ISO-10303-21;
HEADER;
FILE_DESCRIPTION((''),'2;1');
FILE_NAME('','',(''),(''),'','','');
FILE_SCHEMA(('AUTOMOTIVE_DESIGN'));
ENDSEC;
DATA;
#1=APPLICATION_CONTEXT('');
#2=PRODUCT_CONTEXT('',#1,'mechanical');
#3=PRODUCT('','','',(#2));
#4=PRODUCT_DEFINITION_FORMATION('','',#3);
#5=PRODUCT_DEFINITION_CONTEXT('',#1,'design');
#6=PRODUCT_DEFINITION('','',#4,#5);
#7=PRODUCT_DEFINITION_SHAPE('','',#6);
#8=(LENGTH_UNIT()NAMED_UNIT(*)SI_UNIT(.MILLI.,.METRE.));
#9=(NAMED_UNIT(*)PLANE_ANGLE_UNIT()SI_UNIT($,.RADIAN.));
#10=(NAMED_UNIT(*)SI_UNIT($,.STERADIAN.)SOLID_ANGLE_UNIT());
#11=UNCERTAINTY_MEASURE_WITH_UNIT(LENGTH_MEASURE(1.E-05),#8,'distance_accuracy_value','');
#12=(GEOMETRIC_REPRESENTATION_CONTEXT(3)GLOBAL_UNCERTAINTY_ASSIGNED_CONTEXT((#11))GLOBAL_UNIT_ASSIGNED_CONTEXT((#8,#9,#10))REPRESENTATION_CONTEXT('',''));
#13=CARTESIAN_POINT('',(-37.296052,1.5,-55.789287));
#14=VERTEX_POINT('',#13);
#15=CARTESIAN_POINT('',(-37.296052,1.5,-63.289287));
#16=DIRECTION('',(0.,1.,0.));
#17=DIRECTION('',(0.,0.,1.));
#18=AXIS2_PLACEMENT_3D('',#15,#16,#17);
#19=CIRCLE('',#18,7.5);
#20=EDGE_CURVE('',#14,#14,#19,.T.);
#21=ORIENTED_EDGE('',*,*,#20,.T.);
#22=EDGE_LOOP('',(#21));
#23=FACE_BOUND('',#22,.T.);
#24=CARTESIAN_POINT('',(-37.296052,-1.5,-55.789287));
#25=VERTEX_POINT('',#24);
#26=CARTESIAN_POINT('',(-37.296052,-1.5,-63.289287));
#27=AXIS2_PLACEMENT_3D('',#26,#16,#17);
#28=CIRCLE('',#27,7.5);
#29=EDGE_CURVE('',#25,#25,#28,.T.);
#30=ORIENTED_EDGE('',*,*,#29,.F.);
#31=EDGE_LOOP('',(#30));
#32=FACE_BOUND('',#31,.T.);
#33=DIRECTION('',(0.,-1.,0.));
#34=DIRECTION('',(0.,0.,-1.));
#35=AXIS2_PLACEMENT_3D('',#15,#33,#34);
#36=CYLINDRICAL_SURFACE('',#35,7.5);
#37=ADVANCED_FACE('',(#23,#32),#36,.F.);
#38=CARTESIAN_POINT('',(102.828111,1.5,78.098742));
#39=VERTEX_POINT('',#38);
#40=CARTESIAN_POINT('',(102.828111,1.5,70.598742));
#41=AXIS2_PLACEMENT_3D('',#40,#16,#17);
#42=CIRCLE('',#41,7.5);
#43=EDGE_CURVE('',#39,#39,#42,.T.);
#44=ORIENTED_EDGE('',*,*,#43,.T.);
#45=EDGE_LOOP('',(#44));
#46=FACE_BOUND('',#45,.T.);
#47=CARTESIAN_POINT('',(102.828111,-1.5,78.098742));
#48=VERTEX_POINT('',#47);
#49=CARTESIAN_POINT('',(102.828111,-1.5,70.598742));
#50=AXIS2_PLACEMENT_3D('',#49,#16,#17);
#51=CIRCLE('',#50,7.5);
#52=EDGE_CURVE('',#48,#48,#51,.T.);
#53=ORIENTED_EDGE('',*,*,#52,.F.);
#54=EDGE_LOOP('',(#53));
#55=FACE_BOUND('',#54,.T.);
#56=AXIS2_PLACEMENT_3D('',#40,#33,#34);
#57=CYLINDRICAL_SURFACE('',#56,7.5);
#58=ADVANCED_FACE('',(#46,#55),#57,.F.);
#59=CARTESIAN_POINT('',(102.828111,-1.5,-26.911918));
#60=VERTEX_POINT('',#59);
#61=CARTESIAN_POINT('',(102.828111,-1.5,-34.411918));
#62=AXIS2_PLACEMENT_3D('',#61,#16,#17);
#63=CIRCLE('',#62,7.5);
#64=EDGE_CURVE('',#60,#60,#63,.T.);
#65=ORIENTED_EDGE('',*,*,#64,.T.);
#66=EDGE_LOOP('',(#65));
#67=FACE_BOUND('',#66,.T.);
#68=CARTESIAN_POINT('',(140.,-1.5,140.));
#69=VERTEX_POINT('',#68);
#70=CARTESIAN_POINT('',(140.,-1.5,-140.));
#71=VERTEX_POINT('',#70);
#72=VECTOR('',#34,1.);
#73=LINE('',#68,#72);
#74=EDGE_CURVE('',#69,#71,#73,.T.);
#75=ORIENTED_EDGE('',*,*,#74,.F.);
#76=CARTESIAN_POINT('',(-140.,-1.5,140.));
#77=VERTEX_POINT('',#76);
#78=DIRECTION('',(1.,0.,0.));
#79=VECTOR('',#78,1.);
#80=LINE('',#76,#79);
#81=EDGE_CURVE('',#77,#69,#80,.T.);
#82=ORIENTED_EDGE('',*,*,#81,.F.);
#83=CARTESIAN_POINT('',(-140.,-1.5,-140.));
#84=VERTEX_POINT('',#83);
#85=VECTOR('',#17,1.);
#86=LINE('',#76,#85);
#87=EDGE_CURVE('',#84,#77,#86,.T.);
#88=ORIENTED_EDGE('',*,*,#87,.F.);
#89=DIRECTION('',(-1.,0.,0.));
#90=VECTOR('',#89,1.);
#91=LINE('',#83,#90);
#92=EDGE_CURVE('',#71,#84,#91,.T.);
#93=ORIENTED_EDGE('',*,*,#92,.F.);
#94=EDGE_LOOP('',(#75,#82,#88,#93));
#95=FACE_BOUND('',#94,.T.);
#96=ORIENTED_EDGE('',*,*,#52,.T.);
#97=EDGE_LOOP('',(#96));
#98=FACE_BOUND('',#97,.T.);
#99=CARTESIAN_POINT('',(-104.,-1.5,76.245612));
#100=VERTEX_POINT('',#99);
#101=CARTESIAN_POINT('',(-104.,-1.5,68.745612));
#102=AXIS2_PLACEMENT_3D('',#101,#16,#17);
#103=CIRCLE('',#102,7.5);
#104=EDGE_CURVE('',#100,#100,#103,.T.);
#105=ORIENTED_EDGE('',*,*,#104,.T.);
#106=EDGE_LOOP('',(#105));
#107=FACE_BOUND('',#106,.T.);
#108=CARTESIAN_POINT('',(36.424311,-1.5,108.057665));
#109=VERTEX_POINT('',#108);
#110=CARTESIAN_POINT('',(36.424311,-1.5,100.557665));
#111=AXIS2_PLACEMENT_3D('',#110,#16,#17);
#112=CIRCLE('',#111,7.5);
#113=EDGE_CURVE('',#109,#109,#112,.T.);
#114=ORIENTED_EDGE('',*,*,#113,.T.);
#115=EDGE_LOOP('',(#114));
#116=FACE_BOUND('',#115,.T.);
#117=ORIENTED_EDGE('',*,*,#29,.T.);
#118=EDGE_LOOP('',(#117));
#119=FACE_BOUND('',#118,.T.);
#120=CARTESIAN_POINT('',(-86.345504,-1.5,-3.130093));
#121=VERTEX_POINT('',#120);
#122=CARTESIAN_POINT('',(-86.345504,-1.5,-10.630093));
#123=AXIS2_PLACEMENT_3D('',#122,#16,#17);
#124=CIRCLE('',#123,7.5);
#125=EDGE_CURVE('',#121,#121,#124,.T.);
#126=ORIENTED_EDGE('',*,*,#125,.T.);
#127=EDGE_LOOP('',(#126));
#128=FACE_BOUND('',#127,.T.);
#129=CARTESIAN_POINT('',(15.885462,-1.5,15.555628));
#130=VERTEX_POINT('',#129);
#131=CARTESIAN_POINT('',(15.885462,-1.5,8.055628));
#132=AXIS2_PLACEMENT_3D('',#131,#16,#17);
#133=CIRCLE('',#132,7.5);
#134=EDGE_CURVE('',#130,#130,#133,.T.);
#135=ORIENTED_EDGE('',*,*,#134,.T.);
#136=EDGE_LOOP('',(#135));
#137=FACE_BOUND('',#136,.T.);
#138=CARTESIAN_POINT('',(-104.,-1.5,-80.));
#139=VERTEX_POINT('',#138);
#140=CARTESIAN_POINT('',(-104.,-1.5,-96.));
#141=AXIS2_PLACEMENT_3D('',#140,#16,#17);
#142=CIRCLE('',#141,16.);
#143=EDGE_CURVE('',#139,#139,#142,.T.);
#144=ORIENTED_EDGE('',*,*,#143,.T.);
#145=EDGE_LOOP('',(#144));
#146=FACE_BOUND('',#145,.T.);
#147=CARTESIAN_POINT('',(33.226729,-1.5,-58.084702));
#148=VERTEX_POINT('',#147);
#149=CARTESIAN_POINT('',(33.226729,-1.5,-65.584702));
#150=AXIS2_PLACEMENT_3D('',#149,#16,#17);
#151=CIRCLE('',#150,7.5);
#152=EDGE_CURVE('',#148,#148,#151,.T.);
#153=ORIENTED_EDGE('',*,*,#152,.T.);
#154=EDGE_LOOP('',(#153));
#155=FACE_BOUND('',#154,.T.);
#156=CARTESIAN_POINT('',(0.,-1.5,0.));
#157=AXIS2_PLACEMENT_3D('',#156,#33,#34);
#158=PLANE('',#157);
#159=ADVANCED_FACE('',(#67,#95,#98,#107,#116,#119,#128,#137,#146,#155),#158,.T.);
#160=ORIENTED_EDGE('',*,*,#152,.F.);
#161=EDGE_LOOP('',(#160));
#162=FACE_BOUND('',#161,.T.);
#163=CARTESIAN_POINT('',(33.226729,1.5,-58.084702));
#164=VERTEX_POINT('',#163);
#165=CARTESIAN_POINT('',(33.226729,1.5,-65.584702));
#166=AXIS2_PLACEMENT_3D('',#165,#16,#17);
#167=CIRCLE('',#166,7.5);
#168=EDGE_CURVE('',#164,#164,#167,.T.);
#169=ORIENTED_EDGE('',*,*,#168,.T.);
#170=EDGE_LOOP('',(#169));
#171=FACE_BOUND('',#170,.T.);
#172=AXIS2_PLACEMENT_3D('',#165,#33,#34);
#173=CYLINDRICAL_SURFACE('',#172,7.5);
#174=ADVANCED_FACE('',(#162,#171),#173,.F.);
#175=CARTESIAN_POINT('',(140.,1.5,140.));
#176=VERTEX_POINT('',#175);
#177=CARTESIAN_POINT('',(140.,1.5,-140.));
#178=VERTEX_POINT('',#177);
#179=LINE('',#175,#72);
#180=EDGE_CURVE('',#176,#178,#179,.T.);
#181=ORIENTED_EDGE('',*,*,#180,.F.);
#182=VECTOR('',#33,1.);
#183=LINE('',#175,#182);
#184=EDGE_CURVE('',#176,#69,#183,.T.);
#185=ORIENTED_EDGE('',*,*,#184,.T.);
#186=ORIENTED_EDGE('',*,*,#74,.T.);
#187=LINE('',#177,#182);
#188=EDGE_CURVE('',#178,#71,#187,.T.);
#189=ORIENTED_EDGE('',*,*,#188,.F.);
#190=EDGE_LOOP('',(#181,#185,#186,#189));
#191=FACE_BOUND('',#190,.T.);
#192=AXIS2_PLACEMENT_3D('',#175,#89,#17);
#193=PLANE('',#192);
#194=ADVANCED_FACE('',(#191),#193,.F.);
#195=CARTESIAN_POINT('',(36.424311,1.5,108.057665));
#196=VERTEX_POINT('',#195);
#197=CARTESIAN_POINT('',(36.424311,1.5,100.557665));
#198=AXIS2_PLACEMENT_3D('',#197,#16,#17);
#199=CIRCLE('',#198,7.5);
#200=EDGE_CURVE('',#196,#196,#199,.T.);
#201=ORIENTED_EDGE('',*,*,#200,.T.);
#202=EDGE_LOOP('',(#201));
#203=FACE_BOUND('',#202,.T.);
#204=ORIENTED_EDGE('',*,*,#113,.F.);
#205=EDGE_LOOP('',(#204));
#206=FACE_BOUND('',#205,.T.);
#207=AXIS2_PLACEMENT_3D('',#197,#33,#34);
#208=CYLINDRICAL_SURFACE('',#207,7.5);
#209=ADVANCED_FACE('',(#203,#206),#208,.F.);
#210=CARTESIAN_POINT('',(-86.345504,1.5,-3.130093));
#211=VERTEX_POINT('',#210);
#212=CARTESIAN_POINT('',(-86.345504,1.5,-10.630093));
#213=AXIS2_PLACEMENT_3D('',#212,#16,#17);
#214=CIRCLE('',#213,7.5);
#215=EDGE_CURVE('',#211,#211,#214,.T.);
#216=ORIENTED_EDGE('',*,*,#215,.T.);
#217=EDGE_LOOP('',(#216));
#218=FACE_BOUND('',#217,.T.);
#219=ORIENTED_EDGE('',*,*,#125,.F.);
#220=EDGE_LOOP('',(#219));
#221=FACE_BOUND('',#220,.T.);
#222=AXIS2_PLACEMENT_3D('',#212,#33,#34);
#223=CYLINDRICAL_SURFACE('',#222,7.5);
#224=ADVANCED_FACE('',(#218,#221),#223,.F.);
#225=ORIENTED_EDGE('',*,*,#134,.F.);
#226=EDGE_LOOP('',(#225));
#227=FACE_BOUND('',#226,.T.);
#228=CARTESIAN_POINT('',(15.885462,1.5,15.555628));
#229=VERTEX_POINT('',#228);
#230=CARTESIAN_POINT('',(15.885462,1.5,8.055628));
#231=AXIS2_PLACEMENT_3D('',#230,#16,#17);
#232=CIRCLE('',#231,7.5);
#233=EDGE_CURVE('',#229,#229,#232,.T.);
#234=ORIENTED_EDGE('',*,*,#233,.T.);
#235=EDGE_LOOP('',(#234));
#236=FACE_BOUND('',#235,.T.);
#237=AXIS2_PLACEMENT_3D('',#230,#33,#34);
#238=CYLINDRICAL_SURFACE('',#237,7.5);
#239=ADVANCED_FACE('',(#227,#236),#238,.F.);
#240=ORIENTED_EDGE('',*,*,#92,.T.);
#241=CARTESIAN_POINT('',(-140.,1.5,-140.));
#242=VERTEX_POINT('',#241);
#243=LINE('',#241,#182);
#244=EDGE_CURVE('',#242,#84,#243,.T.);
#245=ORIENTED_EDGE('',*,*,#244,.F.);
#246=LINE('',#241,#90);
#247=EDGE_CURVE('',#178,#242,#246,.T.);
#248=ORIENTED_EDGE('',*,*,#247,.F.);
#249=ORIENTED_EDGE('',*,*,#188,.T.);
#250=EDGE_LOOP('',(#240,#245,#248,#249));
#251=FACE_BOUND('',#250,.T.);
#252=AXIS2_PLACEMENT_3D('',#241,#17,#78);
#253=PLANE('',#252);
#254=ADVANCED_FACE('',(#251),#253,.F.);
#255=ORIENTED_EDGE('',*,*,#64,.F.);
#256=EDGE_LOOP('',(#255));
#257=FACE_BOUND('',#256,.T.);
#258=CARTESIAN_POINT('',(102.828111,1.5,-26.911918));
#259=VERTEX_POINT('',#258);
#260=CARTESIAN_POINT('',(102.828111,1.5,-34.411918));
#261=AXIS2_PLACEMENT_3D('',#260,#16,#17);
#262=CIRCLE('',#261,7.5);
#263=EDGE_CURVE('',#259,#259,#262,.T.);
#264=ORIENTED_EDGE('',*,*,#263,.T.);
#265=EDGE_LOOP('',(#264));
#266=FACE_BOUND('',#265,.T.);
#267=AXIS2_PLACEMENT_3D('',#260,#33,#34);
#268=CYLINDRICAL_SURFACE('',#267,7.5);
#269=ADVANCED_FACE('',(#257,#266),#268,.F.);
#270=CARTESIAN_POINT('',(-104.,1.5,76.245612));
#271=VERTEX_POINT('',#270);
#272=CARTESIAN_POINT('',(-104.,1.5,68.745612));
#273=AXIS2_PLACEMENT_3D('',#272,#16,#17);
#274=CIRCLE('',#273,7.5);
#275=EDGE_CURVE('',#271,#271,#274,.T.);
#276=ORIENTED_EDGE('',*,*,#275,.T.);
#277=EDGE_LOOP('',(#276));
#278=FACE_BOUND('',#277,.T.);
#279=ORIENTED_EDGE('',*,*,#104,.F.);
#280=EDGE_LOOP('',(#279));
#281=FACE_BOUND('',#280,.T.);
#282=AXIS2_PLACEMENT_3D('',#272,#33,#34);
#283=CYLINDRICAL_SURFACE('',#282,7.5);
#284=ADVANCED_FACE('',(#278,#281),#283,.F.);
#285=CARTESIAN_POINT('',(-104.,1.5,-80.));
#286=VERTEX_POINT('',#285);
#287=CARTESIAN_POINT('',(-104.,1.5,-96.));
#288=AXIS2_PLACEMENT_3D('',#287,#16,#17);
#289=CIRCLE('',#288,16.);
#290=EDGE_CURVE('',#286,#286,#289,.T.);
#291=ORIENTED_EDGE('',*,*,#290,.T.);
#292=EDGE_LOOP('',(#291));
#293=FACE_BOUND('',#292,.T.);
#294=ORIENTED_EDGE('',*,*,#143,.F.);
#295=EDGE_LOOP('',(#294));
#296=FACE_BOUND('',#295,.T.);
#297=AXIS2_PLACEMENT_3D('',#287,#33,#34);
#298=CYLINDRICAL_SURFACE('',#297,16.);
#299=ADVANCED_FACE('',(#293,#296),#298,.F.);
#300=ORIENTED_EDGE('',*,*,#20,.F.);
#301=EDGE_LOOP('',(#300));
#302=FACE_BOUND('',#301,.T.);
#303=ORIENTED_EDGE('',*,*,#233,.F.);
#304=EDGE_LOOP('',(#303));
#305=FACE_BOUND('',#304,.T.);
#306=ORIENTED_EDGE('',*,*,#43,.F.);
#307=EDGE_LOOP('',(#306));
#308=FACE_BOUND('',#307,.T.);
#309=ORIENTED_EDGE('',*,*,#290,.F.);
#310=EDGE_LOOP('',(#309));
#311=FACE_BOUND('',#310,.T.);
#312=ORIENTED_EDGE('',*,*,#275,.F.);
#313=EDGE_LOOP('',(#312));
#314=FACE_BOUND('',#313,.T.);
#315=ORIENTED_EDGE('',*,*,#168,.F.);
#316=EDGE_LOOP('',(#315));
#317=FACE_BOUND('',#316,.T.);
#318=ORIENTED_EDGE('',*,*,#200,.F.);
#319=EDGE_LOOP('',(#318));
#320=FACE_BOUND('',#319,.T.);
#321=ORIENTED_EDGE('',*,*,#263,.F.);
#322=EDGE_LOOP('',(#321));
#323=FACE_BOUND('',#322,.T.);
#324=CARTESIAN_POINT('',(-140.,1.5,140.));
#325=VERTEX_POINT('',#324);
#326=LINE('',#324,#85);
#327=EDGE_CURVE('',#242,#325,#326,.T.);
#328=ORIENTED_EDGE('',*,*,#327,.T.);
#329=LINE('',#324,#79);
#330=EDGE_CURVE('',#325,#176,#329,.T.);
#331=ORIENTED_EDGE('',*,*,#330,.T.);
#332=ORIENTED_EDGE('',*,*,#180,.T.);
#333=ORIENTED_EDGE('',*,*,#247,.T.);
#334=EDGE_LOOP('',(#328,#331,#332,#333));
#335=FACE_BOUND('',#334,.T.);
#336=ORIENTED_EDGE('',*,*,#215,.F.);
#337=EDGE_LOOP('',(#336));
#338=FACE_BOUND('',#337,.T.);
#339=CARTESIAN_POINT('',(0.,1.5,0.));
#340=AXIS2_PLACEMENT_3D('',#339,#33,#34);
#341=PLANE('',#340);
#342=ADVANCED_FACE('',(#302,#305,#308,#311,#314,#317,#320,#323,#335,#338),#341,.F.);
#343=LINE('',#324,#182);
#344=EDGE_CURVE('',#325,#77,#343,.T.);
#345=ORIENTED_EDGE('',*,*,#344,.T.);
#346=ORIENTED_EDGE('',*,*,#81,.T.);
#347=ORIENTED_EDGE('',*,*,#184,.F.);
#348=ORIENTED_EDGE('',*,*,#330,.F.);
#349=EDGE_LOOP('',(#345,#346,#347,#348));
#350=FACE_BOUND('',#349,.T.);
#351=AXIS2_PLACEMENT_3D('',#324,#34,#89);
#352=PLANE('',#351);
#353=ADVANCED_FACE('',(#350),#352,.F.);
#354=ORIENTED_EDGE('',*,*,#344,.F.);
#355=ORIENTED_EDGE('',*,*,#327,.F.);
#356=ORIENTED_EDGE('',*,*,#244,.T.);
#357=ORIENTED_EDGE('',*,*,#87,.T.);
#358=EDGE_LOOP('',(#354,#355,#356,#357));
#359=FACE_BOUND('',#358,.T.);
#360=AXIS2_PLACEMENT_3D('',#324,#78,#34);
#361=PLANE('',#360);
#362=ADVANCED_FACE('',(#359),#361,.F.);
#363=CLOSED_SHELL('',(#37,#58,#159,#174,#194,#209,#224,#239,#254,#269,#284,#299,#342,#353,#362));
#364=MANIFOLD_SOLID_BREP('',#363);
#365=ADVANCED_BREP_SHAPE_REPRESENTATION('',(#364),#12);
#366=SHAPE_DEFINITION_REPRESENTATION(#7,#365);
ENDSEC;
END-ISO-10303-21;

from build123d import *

# Parameters (mm, degrees)
SKETCH1_W           = 280
SKETCH1_H           = 280
SKETCH1_R           = 16
SKETCH1_R_2         = 7.5
BOSS_EXTRUDE1_DEPTH = 1.5


with BuildPart() as part:
    # Sketch1 → Boss-Extrude1 (new, symmetric)
    with BuildSketch(Plane(origin=(0, 0, 0), x_dir=(1, 0, 0), z_dir=(0, 1, 0))):
        Rectangle(SKETCH1_W, SKETCH1_H)
        with Locations(Location((-104, 96, 0), (0, 0, 270))):
            Circle(SKETCH1_R, mode=Mode.SUBTRACT)
        with Locations(Location((-86.345504448, 10.630092509, 0), (0, 0, 270))):
            Circle(SKETCH1_R_2, mode=Mode.SUBTRACT)
        with Locations(Location((-104, -68.745612269, 0), (0, 0, 270))):
            Circle(SKETCH1_R_2, mode=Mode.SUBTRACT)
        with Locations(Location((36.424311308, -100.557665157, 0), (0, 0, 270))):
            Circle(SKETCH1_R_2, mode=Mode.SUBTRACT)
        with Locations(Location((15.885461628, -8.055627876, 0), (0, 0, 270))):
            Circle(SKETCH1_R_2, mode=Mode.SUBTRACT)
        with Locations(Location((33.226728938, 65.584702367, 0), (0, 0, 270))):
            Circle(SKETCH1_R_2, mode=Mode.SUBTRACT)
        with Locations(Location((102.828111025, 34.411918454, 0), (0, 0, 270))):
            Circle(SKETCH1_R_2, mode=Mode.SUBTRACT)
        with Locations(Location((102.828111025, -70.598741563, 0), (0, 0, 270))):
            Circle(SKETCH1_R_2, mode=Mode.SUBTRACT)
        with Locations(Location((-37.296051937, 63.289287086, 0), (0, 0, 270))):
            Circle(SKETCH1_R_2, mode=Mode.SUBTRACT)
    extrude(amount=BOSS_EXTRUDE1_DEPTH, both=True)


solid = part.part
